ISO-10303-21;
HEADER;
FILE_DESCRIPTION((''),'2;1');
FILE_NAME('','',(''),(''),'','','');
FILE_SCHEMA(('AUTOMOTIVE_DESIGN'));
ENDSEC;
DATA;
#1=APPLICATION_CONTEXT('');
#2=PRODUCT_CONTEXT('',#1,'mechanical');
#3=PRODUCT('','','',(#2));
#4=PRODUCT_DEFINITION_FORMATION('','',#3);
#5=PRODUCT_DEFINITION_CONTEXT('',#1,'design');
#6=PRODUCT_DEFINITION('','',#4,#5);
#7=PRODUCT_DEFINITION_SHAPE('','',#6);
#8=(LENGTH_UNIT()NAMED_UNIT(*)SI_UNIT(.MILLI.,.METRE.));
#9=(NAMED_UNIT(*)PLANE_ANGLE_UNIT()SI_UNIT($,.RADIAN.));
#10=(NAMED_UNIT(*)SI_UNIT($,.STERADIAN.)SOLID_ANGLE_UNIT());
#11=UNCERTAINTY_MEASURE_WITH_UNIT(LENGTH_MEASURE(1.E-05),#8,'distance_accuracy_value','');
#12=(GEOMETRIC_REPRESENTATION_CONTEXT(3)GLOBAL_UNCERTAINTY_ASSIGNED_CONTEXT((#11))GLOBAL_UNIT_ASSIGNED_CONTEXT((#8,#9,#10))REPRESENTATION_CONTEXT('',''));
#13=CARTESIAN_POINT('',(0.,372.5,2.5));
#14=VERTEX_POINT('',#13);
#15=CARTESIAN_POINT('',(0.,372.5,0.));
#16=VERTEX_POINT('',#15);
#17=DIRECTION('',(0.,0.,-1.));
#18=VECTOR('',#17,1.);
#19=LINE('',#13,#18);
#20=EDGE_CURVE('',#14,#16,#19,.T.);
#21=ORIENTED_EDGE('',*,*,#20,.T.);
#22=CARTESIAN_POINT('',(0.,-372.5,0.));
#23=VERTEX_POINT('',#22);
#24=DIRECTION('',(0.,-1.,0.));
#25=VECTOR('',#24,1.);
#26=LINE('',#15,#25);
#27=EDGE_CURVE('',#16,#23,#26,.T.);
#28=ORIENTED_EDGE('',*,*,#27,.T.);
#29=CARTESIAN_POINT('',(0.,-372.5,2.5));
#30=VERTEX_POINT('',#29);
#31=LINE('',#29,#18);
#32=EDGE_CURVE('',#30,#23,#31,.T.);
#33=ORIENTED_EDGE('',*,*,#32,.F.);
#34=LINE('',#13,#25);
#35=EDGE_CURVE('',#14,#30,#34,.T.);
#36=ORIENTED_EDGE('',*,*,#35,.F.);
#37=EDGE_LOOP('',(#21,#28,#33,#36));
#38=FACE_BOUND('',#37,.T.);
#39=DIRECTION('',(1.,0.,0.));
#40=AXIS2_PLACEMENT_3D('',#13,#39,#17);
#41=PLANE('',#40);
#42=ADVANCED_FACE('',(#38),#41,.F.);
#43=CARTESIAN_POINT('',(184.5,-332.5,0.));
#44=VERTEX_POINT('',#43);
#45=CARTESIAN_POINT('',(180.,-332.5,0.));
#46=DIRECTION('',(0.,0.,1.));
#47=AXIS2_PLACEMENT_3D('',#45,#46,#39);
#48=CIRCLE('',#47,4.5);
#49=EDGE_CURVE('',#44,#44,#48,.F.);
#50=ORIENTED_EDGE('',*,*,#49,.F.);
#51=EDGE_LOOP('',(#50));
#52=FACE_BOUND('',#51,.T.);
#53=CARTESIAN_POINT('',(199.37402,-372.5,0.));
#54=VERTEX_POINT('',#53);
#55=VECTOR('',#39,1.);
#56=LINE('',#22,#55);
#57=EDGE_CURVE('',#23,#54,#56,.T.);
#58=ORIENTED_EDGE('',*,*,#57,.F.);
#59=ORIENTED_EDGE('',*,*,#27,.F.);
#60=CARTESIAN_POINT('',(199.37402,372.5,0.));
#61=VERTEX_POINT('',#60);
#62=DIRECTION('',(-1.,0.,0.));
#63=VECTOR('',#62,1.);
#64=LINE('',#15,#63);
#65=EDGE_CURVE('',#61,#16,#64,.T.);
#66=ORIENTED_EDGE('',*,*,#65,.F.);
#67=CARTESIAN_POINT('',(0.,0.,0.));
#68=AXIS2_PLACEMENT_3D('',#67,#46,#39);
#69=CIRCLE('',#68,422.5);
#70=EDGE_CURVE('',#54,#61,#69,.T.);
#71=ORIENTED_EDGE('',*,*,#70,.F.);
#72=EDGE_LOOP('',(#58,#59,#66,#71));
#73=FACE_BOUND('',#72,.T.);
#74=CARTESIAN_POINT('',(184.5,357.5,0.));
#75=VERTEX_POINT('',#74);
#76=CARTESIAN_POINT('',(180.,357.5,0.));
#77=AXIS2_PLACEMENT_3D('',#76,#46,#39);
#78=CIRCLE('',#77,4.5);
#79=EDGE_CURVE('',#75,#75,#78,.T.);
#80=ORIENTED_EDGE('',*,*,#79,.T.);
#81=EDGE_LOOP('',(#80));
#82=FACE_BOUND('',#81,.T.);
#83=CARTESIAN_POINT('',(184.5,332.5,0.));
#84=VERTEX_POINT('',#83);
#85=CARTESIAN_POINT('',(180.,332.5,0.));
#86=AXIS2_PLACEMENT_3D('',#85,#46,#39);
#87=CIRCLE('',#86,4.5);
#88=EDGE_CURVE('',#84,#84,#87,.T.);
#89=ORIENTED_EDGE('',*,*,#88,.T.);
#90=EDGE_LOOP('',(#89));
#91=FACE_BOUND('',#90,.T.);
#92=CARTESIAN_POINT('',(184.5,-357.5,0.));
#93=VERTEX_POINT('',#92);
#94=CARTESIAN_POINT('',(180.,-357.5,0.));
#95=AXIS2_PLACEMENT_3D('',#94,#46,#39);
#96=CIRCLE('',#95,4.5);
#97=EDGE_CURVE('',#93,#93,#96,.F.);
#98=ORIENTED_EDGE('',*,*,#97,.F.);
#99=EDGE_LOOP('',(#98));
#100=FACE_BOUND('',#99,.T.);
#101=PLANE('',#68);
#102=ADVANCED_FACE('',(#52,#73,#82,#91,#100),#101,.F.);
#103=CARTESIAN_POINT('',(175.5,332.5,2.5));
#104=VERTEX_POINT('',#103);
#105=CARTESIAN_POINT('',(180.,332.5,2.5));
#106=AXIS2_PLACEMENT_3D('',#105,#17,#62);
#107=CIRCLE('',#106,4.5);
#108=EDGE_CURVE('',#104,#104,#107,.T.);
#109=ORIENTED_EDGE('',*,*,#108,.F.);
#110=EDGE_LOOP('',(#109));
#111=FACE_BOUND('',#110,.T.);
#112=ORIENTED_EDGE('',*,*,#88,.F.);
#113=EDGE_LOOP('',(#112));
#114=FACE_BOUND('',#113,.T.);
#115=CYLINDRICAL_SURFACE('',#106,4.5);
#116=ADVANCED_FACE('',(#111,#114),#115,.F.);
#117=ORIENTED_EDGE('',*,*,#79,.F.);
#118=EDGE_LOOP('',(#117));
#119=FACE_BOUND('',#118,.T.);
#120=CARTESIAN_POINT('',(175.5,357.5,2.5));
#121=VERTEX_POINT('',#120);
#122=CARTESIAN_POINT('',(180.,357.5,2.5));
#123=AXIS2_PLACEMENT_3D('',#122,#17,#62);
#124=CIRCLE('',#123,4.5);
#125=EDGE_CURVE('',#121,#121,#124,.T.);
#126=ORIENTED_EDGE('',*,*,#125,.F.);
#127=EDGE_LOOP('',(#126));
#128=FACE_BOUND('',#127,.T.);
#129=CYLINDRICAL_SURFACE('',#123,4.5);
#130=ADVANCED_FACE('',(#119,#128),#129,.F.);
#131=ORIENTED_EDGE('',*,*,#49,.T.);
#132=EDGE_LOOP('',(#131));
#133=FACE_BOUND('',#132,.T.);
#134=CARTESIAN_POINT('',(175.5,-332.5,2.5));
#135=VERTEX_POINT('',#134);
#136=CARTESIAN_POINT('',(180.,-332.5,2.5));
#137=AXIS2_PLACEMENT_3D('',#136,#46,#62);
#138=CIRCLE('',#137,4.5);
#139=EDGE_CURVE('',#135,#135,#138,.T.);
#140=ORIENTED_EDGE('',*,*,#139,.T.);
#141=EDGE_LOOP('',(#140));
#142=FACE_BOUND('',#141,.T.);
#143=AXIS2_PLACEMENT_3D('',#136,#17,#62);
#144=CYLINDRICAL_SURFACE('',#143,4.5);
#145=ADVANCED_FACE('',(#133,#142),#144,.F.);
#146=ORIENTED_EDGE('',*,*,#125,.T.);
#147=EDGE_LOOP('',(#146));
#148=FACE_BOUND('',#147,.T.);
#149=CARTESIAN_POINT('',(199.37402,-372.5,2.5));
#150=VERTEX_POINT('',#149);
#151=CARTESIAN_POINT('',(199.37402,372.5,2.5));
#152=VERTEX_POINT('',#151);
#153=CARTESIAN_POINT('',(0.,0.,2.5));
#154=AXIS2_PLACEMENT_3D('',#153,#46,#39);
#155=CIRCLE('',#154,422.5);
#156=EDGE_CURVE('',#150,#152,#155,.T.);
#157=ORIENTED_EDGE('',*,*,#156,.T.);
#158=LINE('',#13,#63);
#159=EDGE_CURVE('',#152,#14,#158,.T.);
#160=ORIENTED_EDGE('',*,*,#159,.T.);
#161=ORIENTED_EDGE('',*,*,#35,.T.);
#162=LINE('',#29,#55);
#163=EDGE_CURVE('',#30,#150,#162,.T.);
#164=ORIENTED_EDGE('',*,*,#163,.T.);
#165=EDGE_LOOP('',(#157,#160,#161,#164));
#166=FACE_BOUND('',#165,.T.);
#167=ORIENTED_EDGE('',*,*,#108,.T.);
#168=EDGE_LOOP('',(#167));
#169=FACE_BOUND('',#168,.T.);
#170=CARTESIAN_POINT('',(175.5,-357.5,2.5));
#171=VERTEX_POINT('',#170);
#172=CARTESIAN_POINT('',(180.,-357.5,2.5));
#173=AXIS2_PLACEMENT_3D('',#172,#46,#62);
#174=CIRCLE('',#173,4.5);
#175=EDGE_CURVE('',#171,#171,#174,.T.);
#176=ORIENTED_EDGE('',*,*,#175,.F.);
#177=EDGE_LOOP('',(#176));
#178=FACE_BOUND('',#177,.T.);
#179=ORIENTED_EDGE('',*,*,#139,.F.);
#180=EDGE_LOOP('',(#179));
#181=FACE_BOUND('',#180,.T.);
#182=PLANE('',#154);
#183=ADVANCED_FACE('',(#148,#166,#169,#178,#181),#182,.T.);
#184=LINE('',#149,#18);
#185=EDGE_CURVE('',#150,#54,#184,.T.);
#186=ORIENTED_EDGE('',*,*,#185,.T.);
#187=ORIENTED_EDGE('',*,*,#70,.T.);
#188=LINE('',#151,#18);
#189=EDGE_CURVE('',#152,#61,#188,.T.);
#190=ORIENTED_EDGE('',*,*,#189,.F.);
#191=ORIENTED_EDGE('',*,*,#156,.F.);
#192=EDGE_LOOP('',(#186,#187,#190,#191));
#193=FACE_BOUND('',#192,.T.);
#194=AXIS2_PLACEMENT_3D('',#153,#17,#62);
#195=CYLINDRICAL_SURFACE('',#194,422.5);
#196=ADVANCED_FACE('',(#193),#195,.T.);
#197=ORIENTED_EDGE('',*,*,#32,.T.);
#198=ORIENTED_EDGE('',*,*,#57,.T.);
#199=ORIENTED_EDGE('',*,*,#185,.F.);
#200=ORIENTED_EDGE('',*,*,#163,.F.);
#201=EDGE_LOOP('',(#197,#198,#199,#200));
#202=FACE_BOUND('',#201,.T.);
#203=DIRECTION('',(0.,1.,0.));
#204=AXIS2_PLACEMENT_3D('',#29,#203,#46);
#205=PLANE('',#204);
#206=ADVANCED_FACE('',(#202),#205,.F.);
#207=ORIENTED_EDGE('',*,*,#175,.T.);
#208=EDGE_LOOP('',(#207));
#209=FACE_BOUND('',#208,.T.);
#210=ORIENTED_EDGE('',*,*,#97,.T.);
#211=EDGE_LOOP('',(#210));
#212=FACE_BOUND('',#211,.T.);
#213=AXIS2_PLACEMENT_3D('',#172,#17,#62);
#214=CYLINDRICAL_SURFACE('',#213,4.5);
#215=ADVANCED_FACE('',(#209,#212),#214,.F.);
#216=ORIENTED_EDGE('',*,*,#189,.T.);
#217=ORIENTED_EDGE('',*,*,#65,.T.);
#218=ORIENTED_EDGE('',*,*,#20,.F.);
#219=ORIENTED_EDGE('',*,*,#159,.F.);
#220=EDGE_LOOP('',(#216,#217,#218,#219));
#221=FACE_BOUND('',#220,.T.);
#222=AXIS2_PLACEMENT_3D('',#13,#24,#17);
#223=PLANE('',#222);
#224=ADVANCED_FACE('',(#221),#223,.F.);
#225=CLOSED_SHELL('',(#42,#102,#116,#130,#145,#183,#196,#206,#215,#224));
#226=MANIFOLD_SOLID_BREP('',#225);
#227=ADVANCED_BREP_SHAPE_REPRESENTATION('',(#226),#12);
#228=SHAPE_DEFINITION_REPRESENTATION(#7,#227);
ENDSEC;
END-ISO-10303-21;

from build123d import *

# Parameters (mm, degrees)
BOSS_EXTRUDE1_DEPTH = 2.5
SKETCH3_R           = 4.5
CUT_EXTRUDE1_DEPTH  = 564.266144908


with BuildPart() as part:
    # Sketch2 → Boss-Extrude1 (new body)
    with BuildSketch(Plane.XY):
        with BuildLine():
            Line((0, 372.5), (0, -372.5))
            Line((0, -372.5), (199.374020374, -372.5))
            ThreePointArc((199.374020374, -372.5), (422.5, 0), (199.374020374, 372.5))
            Line((199.374020374, 372.5), (0, 372.5))
        make_face()
    extrude(amount=BOSS_EXTRUDE1_DEPTH)

    # Sketch3 → Cut-Extrude1 (cut, symmetric)
    with BuildSketch(Plane(origin=(0, 0, 0), x_dir=(-1, 0, 0), z_dir=(0, 0, -1))):
        with Locations((-180, 357.5)):
            Circle(SKETCH3_R)
        with Locations((-180, 332.5)):
            Circle(SKETCH3_R)
    cut_extrude1 = extrude(amount=CUT_EXTRUDE1_DEPTH, both=True, mode=Mode.SUBTRACT)

    # Mirror1: Cut-Extrude1 across plane
    add(cut_extrude1.mirror(Plane.ZX), mode=Mode.SUBTRACT)


solid = part.part
